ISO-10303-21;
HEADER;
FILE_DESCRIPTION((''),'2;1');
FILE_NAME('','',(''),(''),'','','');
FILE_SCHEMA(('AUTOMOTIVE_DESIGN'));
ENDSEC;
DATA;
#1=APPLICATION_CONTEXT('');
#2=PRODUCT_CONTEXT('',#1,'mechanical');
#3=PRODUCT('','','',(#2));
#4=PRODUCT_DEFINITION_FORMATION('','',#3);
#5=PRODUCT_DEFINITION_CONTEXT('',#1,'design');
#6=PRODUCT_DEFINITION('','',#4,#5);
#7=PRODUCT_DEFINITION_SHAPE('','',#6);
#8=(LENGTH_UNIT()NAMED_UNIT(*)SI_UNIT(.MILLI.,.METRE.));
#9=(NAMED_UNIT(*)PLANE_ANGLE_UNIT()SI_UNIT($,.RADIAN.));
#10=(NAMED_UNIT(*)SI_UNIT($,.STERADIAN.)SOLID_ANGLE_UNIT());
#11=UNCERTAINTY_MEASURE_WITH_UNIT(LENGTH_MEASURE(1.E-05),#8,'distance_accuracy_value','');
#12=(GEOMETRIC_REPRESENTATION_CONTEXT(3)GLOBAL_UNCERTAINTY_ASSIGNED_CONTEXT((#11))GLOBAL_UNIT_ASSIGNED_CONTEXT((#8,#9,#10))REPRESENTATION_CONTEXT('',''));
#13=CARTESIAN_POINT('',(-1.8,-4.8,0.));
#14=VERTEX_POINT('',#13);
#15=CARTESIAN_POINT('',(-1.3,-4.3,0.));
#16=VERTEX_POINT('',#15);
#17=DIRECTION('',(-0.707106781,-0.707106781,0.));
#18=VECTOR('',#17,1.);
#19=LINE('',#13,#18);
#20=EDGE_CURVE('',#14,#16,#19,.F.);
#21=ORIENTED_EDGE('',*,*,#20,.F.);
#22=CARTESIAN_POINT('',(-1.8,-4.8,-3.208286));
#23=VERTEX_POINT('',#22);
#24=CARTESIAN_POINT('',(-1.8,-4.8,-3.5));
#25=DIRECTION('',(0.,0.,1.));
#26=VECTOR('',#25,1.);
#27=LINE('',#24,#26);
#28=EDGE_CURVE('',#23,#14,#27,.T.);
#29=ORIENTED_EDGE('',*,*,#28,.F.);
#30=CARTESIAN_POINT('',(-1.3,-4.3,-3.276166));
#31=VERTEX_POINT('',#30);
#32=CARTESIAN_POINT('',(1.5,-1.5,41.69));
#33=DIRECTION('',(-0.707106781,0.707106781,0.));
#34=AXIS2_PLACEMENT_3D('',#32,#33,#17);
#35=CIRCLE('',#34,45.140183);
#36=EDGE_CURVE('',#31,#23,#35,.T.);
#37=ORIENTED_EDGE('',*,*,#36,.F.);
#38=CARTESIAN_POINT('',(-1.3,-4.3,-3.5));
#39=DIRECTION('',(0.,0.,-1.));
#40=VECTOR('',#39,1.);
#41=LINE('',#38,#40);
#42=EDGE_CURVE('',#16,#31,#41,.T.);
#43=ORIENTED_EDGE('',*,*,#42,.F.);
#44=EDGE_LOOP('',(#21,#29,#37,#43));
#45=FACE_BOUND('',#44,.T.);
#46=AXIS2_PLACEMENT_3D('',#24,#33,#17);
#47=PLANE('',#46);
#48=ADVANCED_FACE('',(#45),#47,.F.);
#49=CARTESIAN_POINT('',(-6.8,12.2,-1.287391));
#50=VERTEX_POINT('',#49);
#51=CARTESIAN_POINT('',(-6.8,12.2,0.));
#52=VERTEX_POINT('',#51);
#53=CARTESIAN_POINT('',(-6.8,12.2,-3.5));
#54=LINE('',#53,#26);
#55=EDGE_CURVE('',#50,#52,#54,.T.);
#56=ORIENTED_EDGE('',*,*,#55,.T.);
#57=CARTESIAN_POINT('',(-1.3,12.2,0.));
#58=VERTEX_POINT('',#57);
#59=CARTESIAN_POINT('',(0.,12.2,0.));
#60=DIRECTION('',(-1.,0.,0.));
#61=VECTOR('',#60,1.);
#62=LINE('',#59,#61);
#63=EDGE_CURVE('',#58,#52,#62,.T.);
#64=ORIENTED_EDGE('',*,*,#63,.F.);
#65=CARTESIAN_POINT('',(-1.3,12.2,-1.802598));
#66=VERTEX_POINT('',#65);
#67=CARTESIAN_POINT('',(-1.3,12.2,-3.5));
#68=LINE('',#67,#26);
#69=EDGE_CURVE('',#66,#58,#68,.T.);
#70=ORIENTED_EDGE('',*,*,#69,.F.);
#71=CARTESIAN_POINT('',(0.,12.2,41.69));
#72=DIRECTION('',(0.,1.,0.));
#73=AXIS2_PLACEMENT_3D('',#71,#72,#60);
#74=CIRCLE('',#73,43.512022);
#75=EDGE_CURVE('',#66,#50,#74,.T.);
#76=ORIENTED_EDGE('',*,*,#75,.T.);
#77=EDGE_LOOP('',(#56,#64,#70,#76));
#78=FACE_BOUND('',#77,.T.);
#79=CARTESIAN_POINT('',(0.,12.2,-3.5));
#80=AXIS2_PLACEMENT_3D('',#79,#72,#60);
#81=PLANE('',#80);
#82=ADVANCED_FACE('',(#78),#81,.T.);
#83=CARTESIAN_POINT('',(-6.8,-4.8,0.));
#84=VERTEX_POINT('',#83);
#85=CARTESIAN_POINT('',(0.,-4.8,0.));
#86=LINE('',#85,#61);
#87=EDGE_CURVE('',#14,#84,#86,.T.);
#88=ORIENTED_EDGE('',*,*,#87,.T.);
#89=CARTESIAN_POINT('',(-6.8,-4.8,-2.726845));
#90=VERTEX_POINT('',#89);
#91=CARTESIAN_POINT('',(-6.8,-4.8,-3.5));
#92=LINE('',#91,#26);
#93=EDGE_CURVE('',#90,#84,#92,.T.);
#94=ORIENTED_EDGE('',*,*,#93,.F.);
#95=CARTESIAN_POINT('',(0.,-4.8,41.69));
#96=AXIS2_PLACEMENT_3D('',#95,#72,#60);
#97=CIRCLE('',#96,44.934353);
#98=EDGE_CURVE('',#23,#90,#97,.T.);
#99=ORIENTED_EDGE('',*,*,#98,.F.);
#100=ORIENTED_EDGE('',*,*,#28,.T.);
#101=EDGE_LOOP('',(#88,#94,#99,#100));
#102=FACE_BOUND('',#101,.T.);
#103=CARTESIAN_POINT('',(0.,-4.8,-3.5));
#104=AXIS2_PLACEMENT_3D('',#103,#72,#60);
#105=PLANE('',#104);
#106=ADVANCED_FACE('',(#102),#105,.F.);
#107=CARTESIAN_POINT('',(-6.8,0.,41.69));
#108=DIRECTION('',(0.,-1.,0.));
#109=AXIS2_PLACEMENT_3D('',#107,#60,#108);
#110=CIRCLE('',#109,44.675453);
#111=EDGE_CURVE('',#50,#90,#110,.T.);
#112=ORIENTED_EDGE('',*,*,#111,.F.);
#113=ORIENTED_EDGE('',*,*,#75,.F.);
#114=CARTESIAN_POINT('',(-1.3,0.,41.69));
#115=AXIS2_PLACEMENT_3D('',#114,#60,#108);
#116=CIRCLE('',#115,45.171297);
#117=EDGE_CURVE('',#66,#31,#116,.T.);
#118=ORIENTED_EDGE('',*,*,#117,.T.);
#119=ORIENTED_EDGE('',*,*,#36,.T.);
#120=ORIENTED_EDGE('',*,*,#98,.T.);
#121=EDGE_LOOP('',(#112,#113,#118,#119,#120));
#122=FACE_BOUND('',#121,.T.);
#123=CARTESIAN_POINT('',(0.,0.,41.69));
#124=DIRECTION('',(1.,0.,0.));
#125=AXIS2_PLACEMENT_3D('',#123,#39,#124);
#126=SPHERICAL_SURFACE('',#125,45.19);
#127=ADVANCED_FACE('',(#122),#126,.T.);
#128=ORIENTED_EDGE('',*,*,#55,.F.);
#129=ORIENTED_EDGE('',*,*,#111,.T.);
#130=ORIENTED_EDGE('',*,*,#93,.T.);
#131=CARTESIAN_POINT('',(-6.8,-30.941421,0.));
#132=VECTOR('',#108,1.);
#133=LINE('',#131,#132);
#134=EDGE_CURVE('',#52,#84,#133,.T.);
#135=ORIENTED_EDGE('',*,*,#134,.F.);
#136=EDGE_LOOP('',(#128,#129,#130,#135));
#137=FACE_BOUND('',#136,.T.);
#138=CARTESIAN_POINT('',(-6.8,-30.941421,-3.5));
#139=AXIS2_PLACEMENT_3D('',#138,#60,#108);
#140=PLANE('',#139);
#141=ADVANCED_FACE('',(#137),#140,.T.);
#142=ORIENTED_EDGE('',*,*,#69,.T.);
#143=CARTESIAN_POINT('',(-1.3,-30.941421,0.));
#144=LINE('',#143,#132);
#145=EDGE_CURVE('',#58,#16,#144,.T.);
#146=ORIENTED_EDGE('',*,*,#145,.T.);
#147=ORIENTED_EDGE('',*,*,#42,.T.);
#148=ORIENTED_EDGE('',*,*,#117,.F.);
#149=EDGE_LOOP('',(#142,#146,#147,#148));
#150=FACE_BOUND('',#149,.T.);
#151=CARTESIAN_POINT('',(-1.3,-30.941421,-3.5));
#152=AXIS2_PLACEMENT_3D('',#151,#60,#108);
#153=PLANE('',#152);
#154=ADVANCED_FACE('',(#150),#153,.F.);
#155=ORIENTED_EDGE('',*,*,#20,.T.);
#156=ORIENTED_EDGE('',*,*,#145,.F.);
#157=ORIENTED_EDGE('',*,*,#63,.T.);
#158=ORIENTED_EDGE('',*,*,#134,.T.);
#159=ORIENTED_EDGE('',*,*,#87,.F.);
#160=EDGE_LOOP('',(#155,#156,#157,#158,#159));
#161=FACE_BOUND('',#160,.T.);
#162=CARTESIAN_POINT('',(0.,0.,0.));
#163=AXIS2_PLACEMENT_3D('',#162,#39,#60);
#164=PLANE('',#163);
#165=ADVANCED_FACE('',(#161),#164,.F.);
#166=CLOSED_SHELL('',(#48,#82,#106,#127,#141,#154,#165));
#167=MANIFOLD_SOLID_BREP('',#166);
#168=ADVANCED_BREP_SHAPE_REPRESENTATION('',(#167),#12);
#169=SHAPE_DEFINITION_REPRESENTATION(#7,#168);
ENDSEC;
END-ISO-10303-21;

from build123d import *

# Parameters (mm, degrees)
SKETCH_2_OUTSIDE_W   = 37.95
SKETCH_2_OUTSIDE_H   = 37.95
SKETCH_2_OUTSIDE_W_2 = 5.5
SKETCH_2_OUTSIDE_H_2 = 17
CUT_EXTRUDE_1_DEPTH  = 4.5
CHAMFER_3_SIZE       = 0.5


with BuildPart() as part:
    # Эскиз1 → Повернуть1 (revolve)
    with BuildSketch(Plane(origin=(0, 0, 0), x_dir=(1, 0, 0), z_dir=(0, 1, 0))):
        with BuildLine():
            Line((14, 0), (14, 1.276685932))
            ThreePointArc((14, 1.276685932), (7.087720463, 2.940710488), (0, 3.5))
            Line((0, 3.5), (0, 0))
            Line((0, 0), (14, 0))
        make_face()
    revolve(axis=Axis((0, 0, -3.5), (0, 0, 1)))

    # Эскиз2 outside → Вырез-Вытянуть1 (cut, through all)
    with BuildSketch(Plane.XY):
        Rectangle(SKETCH_2_OUTSIDE_W, SKETCH_2_OUTSIDE_H)
        with Locations((-4.05, 3.7)):
            Rectangle(SKETCH_2_OUTSIDE_W_2, SKETCH_2_OUTSIDE_H_2, mode=Mode.SUBTRACT)
    extrude(amount=-CUT_EXTRUDE_1_DEPTH, mode=Mode.SUBTRACT)

    # Фаска3
    chamfer_3_edges = [part.edges().sort_by_distance(p)[0] for p in [
        (-1.3, -4.8, -1.61277204),
    ]]
    chamfer(chamfer_3_edges, length=CHAMFER_3_SIZE)


solid = part.part
